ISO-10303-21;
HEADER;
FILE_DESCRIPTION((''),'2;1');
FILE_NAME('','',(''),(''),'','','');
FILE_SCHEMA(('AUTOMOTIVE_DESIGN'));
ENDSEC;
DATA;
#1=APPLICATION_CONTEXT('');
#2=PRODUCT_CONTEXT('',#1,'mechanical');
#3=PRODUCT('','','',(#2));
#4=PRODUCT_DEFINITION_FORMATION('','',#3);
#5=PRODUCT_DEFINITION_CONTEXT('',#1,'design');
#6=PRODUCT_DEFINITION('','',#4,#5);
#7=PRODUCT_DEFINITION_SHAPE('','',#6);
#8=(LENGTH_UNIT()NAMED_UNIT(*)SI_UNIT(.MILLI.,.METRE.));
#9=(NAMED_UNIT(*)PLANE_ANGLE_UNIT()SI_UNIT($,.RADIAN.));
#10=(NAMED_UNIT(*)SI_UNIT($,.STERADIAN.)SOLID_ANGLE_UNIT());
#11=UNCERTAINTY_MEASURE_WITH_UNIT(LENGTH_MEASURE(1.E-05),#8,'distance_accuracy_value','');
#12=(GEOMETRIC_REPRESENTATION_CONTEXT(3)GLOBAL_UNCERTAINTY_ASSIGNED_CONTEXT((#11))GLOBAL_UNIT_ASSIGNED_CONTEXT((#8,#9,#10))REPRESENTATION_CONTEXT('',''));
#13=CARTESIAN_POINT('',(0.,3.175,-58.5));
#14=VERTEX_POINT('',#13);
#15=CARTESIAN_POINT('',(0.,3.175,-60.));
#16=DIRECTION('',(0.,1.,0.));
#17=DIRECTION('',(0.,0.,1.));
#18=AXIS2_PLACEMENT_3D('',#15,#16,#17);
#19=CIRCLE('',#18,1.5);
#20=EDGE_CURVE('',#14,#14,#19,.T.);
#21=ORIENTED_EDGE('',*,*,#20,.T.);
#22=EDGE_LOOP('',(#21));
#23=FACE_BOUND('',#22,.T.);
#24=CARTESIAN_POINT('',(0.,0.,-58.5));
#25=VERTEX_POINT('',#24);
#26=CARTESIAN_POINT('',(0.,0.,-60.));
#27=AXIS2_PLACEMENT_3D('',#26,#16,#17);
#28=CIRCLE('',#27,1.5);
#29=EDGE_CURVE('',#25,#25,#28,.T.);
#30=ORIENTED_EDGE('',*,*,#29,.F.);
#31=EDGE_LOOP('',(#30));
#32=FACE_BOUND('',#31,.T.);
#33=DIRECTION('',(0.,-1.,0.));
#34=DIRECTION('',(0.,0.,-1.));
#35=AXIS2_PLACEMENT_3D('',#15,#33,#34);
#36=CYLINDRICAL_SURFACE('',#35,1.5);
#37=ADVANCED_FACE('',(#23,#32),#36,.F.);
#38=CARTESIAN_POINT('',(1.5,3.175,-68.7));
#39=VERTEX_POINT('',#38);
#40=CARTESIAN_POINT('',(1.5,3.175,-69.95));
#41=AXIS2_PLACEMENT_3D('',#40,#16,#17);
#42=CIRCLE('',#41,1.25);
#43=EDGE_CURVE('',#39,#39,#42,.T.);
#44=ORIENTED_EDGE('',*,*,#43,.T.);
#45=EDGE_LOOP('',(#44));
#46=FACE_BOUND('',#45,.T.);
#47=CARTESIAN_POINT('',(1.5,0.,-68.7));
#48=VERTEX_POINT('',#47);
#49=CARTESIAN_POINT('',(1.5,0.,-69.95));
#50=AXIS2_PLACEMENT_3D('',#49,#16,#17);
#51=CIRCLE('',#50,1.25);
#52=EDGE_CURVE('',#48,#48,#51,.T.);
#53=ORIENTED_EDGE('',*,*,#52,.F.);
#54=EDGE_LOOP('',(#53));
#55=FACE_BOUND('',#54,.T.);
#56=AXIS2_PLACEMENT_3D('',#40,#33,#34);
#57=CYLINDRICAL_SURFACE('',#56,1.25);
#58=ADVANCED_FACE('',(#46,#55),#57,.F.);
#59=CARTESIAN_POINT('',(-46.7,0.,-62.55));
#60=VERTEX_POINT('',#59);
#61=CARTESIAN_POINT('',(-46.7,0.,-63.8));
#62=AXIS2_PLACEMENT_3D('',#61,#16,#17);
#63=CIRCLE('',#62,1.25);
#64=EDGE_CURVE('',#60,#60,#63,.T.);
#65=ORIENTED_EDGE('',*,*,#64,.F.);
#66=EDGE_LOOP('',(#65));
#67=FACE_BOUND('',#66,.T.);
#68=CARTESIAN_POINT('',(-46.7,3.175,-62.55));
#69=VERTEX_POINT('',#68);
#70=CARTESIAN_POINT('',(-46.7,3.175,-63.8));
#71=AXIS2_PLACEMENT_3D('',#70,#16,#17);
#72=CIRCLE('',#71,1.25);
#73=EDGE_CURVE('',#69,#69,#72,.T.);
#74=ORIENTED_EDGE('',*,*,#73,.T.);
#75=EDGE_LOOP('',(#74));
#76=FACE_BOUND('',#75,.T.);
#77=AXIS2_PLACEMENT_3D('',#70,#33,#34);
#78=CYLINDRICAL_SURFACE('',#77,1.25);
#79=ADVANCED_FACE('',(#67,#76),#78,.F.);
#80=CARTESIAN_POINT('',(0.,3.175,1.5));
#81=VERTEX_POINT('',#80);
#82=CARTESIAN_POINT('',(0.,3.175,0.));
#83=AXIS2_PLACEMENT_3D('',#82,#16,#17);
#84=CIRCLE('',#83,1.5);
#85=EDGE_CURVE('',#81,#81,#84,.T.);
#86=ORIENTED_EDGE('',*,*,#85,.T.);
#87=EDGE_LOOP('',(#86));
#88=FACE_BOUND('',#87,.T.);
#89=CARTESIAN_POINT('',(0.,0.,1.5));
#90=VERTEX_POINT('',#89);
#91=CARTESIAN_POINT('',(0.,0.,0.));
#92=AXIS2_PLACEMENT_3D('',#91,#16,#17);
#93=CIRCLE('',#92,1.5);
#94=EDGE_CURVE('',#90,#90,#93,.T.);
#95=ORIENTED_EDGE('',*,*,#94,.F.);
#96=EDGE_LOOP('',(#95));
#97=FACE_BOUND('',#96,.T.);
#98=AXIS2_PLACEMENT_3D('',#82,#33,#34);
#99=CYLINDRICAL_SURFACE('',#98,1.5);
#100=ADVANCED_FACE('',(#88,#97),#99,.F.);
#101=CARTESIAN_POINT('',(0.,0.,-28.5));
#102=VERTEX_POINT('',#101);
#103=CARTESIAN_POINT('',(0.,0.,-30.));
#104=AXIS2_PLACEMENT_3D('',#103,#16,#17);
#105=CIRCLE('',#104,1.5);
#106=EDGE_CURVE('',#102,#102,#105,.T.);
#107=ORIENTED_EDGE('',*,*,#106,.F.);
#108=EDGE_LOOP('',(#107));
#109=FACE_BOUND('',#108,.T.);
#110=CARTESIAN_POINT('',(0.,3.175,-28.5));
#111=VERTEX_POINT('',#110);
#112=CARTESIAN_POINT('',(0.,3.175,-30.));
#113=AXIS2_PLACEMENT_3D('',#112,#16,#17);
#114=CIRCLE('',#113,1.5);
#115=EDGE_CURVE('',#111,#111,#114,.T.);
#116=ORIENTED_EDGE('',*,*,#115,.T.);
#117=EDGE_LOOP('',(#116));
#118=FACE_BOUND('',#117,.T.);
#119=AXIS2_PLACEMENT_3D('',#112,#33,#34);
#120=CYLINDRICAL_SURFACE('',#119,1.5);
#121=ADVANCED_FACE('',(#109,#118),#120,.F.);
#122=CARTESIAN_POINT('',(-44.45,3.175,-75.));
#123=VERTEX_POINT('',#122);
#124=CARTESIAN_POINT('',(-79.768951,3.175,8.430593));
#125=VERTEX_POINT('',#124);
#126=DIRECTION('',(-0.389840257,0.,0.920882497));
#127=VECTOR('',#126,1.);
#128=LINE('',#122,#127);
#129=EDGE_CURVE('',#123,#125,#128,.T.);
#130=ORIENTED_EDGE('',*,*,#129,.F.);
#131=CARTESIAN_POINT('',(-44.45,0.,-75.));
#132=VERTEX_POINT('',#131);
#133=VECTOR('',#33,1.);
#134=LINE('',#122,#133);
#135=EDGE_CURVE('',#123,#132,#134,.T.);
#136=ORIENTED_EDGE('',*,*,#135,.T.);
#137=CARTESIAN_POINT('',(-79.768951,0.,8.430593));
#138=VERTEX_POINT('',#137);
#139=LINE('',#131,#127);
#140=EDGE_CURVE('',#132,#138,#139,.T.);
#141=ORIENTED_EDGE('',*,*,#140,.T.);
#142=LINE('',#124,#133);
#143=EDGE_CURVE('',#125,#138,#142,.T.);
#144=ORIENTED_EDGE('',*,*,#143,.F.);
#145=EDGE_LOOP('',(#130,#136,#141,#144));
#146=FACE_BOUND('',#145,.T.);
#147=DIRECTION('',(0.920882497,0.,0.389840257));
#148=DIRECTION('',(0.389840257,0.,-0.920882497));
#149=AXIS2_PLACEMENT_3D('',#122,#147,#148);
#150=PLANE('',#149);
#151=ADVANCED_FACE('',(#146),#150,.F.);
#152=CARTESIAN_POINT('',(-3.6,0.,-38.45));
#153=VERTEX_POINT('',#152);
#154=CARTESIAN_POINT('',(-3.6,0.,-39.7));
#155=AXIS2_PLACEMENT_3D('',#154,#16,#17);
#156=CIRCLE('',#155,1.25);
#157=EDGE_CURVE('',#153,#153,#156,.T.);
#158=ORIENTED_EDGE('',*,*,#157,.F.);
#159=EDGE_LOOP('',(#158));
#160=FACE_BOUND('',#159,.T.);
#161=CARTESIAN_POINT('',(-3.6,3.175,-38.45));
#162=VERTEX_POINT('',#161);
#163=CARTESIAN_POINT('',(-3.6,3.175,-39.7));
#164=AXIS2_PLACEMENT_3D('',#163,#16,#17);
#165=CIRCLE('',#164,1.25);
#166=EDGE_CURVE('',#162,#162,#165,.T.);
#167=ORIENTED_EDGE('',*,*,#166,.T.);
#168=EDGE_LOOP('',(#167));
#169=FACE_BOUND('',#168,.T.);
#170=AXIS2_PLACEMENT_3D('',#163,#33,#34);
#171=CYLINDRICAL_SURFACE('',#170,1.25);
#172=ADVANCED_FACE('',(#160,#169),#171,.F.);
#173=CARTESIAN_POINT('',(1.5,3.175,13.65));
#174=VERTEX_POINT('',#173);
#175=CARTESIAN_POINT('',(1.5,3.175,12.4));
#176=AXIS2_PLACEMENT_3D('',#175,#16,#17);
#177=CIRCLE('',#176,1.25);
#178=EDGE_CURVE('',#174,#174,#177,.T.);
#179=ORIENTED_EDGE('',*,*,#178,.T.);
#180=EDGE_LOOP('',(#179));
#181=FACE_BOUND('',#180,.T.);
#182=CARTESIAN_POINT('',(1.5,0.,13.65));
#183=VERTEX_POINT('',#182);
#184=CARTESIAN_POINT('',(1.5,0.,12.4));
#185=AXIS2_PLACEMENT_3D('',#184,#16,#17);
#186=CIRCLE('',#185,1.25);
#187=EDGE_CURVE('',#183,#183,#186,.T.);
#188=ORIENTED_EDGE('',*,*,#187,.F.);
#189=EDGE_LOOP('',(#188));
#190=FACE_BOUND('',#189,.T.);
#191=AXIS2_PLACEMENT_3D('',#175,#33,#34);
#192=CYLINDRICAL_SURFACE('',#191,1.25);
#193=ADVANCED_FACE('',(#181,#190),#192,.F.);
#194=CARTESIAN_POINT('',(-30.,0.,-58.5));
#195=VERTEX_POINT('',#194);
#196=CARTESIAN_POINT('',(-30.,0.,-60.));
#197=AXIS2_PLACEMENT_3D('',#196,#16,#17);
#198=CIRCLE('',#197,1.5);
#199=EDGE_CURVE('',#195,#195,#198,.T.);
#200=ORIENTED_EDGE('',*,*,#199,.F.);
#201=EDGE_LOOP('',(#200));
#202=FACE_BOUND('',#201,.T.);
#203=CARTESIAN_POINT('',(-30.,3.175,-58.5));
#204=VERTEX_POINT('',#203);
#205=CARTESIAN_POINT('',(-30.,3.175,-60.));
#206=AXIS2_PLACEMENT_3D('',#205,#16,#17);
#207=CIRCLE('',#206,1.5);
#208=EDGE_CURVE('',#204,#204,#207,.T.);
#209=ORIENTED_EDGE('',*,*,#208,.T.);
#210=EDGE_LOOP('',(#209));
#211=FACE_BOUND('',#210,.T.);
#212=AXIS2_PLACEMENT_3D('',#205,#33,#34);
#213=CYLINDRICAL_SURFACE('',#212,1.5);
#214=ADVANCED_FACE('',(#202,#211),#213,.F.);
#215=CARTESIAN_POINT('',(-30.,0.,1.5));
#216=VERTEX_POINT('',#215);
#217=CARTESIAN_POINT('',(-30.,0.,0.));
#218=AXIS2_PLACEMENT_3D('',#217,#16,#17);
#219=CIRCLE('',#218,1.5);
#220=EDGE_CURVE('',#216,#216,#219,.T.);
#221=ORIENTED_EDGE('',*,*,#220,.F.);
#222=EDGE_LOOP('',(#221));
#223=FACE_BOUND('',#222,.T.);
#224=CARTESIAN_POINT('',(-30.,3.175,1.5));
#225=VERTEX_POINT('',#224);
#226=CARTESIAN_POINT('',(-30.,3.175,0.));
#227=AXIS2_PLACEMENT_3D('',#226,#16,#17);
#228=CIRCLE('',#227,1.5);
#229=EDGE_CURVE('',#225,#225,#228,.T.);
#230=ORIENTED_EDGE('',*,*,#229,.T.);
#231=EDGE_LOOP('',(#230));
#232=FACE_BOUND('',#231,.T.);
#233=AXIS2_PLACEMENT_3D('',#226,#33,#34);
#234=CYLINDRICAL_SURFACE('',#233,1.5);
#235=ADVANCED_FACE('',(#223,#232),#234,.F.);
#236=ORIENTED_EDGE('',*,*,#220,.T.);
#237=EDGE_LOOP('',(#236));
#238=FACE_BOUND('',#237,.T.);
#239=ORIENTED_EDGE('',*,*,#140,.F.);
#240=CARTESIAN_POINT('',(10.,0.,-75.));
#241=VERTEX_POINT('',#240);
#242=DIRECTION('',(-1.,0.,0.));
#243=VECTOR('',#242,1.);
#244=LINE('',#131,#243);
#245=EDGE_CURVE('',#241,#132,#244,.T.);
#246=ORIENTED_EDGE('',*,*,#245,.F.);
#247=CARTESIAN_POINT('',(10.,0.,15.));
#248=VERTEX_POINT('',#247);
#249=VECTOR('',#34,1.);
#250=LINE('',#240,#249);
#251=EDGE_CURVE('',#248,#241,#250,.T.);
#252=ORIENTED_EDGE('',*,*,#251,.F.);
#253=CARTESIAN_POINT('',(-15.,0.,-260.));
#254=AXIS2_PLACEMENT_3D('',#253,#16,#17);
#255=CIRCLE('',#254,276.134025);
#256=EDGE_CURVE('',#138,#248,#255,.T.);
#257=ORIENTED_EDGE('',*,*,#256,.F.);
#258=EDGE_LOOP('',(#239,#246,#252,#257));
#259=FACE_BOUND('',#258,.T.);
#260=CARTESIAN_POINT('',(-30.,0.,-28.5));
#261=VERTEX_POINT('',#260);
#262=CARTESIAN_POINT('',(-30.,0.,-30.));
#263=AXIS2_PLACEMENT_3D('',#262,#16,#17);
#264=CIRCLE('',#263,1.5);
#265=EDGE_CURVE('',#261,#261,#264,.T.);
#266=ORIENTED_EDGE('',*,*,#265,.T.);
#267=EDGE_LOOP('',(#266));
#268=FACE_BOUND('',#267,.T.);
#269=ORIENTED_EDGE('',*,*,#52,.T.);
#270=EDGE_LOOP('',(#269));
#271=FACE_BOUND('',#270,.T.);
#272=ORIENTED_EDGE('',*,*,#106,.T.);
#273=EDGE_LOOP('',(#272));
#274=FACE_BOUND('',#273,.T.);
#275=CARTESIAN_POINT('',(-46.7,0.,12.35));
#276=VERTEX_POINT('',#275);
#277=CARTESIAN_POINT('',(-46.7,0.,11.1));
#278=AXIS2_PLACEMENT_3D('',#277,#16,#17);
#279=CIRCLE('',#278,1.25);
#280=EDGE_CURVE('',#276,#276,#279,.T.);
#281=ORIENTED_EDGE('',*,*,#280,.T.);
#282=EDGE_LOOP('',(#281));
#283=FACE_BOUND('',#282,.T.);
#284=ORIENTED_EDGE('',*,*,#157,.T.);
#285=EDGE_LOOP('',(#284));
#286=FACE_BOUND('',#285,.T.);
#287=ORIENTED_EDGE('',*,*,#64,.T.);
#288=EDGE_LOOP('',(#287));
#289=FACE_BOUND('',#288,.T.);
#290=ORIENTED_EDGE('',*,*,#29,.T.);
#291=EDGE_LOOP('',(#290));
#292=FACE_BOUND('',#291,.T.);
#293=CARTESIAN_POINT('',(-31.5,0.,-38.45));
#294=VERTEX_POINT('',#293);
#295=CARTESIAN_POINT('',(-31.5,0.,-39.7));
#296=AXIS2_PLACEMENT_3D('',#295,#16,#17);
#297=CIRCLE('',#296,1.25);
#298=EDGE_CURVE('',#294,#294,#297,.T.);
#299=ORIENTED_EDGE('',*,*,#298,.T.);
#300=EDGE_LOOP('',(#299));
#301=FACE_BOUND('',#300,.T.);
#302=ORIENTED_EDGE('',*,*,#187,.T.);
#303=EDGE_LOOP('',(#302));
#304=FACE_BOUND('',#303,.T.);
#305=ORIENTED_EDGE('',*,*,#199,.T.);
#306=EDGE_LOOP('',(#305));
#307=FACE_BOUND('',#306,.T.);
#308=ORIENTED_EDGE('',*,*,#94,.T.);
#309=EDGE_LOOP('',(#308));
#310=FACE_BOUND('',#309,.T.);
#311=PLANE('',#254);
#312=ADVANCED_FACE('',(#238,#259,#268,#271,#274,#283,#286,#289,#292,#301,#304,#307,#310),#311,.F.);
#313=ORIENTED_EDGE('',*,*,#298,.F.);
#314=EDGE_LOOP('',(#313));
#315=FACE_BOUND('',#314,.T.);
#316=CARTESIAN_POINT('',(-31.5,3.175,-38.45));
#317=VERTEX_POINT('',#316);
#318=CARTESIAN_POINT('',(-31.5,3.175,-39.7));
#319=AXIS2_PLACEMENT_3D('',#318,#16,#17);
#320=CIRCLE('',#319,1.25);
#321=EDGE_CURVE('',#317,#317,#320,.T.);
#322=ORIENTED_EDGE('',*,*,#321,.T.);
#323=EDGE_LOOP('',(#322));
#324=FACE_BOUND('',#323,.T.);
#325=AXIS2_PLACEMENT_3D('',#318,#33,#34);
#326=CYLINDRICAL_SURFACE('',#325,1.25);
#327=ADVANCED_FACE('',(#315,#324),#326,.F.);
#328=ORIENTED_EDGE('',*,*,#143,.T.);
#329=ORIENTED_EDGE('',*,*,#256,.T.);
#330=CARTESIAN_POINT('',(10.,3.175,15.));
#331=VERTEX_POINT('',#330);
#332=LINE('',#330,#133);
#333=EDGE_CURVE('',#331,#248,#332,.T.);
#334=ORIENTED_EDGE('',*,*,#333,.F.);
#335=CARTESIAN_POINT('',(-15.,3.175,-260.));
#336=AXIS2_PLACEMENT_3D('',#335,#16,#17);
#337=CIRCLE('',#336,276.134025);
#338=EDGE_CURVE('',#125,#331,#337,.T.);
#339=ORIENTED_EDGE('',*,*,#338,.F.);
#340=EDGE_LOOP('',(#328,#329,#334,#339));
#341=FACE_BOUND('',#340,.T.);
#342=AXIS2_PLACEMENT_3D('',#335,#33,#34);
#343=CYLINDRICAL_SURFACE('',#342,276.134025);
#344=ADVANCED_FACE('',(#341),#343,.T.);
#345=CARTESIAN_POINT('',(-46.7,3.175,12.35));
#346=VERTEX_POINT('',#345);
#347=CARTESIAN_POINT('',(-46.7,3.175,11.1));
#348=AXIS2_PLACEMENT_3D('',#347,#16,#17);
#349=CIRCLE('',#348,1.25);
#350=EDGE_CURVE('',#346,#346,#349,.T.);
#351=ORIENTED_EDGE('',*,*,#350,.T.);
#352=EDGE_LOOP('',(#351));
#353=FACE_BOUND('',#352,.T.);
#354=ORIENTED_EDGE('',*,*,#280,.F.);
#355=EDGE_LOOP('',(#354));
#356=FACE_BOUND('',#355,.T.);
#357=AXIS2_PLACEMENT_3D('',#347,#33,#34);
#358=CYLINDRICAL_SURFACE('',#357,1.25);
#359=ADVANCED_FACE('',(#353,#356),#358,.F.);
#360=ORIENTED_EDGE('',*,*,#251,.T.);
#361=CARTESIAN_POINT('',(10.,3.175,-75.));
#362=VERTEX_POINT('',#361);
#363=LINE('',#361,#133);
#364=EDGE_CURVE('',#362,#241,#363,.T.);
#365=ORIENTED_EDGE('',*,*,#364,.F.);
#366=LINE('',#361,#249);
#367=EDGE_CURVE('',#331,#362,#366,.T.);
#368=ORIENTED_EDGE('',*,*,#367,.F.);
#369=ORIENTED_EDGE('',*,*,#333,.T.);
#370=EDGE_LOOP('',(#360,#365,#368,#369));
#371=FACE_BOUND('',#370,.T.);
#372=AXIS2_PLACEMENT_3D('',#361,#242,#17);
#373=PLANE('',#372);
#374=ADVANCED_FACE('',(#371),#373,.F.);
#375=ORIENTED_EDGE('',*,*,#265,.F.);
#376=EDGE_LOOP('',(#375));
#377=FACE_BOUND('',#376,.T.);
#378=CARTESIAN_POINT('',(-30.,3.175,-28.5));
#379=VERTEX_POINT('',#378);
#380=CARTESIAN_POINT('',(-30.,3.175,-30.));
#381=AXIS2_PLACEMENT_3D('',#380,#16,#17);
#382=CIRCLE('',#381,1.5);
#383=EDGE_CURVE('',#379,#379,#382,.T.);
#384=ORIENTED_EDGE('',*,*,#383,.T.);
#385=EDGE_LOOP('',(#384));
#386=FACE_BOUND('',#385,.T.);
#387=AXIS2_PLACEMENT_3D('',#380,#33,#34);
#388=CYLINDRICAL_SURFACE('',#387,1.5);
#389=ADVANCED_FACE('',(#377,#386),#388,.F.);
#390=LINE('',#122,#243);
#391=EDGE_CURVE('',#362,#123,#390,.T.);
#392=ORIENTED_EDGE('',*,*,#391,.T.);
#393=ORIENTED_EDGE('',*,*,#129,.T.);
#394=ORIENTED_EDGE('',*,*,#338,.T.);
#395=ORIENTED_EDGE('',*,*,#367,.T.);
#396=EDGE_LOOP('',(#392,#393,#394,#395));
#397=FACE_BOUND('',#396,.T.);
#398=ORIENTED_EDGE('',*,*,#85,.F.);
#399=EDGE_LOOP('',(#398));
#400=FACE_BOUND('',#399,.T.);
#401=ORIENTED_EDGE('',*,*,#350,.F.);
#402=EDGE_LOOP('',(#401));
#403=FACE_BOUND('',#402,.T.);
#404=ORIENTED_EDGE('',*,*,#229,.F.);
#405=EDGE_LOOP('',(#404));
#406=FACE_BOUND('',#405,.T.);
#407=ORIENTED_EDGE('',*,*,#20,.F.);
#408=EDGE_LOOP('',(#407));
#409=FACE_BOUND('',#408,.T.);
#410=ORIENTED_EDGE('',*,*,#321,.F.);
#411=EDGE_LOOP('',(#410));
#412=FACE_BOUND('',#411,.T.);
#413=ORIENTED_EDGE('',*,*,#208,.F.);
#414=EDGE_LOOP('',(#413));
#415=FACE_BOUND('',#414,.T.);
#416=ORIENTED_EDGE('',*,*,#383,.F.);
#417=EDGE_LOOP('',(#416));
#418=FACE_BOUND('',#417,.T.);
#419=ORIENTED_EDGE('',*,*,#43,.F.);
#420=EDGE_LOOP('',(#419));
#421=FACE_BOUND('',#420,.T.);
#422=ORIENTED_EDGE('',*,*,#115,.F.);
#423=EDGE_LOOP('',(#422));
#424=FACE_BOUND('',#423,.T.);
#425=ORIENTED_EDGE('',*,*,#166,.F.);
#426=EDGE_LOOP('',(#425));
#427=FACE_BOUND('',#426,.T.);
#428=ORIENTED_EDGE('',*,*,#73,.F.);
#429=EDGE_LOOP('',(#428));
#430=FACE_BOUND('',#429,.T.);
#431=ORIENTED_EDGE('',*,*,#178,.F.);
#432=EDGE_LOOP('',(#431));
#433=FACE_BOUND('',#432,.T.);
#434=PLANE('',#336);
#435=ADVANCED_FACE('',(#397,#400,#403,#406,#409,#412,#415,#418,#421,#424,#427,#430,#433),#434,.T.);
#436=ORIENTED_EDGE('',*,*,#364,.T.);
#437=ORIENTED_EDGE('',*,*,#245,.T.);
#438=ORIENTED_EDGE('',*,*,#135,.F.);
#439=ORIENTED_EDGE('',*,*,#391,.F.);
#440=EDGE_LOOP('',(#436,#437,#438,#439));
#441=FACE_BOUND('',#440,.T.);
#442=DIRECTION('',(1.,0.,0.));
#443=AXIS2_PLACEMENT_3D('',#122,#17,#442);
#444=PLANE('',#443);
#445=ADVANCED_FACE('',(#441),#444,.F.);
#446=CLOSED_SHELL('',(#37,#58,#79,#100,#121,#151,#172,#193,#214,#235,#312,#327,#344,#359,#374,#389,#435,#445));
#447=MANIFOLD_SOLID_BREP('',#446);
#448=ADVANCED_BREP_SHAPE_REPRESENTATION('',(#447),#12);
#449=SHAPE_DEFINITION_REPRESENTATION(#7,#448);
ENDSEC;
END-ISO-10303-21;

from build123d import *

# Parameters (mm, degrees)
SKETCH1_R           = 1.5
SKETCH1_R_2         = 1.25
BOSS_EXTRUDE1_DEPTH = 3.175


with BuildPart() as part:
    # Sketch1 → Boss-Extrude1 (new body)
    with BuildSketch(Plane(origin=(0, 0, 0), x_dir=(1, 0, 0), z_dir=(0, 1, 0))):
        with BuildLine():
            Line((-44.45, 75), (10, 75))
            Line((10, 75), (10, -15))
            ThreePointArc((10, -15), (-35.153948529, -15.397564184), (-79.768950839, -8.430592532))
            Line((-79.768950839, -8.430592532), (-44.45, 75))
        make_face()
        Circle(SKETCH1_R, mode=Mode.SUBTRACT)
        with Locations((-30, 0)):
            Circle(SKETCH1_R, mode=Mode.SUBTRACT)
        with Locations((-30, 30)):
            Circle(SKETCH1_R, mode=Mode.SUBTRACT)
        with Locations((-30, 60)):
            Circle(SKETCH1_R, mode=Mode.SUBTRACT)
        with Locations((0, 60)):
            Circle(SKETCH1_R, mode=Mode.SUBTRACT)
        with Locations((0, 30)):
            Circle(SKETCH1_R, mode=Mode.SUBTRACT)
        with Locations((-46.7, 63.8)):
            Circle(SKETCH1_R_2, mode=Mode.SUBTRACT)
        with Locations((1.5, 69.95)):
            Circle(SKETCH1_R_2, mode=Mode.SUBTRACT)
        with Locations((-31.5, 39.7)):
            Circle(SKETCH1_R_2, mode=Mode.SUBTRACT)
        with Locations((-3.6, 39.7)):
            Circle(SKETCH1_R_2, mode=Mode.SUBTRACT)
        with Locations((-46.7, -11.1)):
            Circle(SKETCH1_R_2, mode=Mode.SUBTRACT)
        with Locations((1.5, -12.4)):
            Circle(SKETCH1_R_2, mode=Mode.SUBTRACT)
    extrude(amount=BOSS_EXTRUDE1_DEPTH)


solid = part.part
